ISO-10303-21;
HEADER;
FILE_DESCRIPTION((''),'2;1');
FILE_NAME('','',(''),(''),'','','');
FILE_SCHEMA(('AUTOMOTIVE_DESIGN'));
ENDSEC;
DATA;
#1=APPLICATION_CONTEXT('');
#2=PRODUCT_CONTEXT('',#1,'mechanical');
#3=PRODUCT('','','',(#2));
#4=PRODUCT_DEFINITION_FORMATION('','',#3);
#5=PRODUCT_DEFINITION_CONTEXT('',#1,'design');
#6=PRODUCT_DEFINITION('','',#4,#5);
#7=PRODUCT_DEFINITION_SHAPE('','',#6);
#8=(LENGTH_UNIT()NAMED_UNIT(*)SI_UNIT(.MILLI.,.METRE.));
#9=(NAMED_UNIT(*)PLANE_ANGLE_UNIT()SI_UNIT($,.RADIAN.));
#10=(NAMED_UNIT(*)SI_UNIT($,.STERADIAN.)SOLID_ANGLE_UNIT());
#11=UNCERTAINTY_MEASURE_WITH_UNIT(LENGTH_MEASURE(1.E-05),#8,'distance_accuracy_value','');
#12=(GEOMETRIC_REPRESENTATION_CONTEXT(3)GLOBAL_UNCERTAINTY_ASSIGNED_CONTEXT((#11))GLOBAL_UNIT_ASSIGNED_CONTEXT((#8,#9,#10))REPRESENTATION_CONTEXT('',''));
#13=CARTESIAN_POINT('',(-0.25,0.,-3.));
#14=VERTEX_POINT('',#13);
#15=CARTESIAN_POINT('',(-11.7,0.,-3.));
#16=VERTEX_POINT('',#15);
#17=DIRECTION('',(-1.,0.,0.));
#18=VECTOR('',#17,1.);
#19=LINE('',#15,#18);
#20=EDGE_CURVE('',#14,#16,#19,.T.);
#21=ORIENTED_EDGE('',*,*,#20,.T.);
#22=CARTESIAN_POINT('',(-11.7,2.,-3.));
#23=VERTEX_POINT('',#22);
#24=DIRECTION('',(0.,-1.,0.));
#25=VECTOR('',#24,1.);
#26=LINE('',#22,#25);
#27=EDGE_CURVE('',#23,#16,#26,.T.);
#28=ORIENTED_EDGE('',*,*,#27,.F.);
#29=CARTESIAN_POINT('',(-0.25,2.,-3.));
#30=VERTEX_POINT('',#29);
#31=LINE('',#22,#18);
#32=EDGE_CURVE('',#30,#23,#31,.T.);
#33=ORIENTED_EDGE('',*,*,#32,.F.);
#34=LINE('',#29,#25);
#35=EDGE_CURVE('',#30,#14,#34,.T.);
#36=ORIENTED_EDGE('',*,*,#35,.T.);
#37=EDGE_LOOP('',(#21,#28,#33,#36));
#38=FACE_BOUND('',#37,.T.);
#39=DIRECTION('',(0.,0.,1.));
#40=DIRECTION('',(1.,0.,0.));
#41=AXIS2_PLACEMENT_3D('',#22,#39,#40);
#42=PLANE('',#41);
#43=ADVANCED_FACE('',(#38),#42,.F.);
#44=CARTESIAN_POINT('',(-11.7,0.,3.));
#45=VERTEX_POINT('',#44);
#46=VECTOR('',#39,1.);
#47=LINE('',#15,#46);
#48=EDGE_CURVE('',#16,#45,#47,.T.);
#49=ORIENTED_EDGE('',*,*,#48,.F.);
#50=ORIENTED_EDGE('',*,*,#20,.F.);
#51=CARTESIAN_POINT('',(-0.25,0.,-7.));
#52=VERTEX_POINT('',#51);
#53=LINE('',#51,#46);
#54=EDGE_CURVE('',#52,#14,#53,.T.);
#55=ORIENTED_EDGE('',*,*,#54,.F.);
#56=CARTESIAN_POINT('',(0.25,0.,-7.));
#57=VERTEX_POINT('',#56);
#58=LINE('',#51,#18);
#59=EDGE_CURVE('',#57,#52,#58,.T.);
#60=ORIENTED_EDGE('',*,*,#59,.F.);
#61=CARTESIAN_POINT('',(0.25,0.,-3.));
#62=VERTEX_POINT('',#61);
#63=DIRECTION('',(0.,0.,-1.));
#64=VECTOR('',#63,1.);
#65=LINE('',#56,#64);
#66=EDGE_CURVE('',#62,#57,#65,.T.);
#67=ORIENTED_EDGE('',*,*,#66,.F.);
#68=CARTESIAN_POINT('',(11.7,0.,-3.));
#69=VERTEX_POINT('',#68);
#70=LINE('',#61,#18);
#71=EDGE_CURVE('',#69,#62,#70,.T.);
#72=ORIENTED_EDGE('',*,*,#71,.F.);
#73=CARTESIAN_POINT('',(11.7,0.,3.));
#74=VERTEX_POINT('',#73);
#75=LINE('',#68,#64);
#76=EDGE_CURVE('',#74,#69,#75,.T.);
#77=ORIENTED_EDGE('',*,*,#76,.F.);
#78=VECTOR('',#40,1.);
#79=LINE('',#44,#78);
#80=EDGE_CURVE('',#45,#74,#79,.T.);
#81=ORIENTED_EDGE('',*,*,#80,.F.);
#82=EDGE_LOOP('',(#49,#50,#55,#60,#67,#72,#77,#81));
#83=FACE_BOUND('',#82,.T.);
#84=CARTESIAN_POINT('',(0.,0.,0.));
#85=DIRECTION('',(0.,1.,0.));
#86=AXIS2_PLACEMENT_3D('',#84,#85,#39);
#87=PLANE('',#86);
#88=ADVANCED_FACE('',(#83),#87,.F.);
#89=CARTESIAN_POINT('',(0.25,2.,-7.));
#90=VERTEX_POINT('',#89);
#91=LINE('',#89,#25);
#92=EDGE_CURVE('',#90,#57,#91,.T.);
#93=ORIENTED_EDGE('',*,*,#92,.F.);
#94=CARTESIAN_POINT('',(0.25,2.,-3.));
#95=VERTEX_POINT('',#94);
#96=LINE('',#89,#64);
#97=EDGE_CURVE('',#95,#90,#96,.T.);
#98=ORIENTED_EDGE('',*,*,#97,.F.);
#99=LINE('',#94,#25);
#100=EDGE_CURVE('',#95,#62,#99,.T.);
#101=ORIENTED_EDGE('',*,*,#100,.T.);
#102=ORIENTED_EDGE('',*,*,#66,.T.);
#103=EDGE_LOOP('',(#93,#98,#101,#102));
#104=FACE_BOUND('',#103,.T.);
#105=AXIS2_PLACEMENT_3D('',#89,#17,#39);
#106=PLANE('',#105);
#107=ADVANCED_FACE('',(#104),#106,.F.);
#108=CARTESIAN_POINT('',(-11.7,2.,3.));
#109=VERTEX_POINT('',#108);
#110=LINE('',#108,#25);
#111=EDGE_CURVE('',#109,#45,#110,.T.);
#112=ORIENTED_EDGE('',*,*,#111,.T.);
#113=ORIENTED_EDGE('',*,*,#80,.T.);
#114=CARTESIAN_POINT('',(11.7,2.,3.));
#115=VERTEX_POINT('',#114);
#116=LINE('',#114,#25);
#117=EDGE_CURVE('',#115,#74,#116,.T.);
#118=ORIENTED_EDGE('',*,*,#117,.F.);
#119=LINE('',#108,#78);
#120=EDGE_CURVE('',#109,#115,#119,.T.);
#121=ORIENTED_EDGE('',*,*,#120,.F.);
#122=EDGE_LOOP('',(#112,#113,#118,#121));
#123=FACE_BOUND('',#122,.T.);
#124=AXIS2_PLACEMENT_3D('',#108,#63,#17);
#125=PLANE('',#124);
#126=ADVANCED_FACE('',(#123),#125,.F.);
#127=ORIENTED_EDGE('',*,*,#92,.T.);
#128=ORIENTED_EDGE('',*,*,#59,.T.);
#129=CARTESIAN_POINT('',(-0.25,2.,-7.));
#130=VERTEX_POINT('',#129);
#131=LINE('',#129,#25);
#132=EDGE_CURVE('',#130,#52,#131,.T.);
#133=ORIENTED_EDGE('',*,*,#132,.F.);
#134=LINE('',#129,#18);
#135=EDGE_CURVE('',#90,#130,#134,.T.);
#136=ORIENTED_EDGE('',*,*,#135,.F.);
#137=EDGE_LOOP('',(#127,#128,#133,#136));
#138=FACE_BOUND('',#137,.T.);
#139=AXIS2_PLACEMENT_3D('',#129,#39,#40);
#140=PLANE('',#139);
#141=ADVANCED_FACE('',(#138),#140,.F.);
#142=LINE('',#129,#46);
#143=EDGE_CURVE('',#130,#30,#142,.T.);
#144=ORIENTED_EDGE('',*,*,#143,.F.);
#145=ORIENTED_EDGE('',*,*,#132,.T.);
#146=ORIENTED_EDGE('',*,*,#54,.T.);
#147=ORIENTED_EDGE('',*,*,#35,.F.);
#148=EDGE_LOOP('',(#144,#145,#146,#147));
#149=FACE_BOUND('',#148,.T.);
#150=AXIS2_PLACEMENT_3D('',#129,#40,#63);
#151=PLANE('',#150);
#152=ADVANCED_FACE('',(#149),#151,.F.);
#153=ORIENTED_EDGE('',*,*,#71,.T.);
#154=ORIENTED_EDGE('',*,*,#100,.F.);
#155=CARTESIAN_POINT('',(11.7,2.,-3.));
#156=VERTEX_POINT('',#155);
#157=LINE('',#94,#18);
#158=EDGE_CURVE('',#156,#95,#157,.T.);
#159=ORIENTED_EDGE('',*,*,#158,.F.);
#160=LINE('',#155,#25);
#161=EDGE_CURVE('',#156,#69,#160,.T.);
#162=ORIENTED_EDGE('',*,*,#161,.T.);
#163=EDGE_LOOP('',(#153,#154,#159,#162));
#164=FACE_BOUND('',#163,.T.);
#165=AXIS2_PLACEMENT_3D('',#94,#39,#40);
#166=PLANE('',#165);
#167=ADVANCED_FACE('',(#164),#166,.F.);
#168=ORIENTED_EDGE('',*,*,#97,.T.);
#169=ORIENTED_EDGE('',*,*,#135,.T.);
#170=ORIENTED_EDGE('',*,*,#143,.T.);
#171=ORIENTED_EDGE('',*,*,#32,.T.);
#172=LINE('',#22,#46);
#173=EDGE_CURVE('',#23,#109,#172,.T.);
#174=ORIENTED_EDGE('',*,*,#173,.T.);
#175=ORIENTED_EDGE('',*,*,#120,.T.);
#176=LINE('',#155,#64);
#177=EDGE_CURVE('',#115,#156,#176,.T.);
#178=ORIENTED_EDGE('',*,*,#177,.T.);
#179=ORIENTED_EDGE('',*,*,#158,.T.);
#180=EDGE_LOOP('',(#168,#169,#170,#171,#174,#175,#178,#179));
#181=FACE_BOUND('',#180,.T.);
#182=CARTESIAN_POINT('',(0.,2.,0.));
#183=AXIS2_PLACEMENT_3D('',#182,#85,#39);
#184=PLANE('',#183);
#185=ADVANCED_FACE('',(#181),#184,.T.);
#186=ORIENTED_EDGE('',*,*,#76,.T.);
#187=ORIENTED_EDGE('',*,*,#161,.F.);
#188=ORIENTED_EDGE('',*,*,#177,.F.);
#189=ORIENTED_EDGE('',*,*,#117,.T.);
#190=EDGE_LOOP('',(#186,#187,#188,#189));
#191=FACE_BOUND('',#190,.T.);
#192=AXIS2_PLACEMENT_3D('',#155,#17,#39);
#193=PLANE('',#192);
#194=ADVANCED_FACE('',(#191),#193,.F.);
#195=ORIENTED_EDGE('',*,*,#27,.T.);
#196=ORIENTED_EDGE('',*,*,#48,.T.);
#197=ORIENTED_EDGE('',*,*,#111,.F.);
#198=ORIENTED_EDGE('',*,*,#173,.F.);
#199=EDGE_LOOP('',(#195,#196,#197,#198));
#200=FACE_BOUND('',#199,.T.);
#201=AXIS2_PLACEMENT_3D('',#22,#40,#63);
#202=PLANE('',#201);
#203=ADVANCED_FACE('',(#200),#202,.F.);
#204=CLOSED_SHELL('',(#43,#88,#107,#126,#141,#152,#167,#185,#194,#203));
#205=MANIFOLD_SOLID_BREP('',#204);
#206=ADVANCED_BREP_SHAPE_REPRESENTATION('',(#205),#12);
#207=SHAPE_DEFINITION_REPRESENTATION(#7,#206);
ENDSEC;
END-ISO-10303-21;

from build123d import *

# Parameters (mm, degrees)
BOSS_EXTRUDE1_DEPTH = 2


with BuildPart() as part:
    # Sketch1 → Boss-Extrude1 (new body)
    with BuildSketch(Plane(origin=(0, 0, 0), x_dir=(1, 0, 0), z_dir=(0, 1, 0))):
        Polygon((-11.7, 3), (-0.25, 3), (-0.25, 7), (0.25, 7), (0.25, 3), (11.7, 3), (11.7, -3), (-11.7, -3), align=None)
    extrude(amount=BOSS_EXTRUDE1_DEPTH)


solid = part.part
